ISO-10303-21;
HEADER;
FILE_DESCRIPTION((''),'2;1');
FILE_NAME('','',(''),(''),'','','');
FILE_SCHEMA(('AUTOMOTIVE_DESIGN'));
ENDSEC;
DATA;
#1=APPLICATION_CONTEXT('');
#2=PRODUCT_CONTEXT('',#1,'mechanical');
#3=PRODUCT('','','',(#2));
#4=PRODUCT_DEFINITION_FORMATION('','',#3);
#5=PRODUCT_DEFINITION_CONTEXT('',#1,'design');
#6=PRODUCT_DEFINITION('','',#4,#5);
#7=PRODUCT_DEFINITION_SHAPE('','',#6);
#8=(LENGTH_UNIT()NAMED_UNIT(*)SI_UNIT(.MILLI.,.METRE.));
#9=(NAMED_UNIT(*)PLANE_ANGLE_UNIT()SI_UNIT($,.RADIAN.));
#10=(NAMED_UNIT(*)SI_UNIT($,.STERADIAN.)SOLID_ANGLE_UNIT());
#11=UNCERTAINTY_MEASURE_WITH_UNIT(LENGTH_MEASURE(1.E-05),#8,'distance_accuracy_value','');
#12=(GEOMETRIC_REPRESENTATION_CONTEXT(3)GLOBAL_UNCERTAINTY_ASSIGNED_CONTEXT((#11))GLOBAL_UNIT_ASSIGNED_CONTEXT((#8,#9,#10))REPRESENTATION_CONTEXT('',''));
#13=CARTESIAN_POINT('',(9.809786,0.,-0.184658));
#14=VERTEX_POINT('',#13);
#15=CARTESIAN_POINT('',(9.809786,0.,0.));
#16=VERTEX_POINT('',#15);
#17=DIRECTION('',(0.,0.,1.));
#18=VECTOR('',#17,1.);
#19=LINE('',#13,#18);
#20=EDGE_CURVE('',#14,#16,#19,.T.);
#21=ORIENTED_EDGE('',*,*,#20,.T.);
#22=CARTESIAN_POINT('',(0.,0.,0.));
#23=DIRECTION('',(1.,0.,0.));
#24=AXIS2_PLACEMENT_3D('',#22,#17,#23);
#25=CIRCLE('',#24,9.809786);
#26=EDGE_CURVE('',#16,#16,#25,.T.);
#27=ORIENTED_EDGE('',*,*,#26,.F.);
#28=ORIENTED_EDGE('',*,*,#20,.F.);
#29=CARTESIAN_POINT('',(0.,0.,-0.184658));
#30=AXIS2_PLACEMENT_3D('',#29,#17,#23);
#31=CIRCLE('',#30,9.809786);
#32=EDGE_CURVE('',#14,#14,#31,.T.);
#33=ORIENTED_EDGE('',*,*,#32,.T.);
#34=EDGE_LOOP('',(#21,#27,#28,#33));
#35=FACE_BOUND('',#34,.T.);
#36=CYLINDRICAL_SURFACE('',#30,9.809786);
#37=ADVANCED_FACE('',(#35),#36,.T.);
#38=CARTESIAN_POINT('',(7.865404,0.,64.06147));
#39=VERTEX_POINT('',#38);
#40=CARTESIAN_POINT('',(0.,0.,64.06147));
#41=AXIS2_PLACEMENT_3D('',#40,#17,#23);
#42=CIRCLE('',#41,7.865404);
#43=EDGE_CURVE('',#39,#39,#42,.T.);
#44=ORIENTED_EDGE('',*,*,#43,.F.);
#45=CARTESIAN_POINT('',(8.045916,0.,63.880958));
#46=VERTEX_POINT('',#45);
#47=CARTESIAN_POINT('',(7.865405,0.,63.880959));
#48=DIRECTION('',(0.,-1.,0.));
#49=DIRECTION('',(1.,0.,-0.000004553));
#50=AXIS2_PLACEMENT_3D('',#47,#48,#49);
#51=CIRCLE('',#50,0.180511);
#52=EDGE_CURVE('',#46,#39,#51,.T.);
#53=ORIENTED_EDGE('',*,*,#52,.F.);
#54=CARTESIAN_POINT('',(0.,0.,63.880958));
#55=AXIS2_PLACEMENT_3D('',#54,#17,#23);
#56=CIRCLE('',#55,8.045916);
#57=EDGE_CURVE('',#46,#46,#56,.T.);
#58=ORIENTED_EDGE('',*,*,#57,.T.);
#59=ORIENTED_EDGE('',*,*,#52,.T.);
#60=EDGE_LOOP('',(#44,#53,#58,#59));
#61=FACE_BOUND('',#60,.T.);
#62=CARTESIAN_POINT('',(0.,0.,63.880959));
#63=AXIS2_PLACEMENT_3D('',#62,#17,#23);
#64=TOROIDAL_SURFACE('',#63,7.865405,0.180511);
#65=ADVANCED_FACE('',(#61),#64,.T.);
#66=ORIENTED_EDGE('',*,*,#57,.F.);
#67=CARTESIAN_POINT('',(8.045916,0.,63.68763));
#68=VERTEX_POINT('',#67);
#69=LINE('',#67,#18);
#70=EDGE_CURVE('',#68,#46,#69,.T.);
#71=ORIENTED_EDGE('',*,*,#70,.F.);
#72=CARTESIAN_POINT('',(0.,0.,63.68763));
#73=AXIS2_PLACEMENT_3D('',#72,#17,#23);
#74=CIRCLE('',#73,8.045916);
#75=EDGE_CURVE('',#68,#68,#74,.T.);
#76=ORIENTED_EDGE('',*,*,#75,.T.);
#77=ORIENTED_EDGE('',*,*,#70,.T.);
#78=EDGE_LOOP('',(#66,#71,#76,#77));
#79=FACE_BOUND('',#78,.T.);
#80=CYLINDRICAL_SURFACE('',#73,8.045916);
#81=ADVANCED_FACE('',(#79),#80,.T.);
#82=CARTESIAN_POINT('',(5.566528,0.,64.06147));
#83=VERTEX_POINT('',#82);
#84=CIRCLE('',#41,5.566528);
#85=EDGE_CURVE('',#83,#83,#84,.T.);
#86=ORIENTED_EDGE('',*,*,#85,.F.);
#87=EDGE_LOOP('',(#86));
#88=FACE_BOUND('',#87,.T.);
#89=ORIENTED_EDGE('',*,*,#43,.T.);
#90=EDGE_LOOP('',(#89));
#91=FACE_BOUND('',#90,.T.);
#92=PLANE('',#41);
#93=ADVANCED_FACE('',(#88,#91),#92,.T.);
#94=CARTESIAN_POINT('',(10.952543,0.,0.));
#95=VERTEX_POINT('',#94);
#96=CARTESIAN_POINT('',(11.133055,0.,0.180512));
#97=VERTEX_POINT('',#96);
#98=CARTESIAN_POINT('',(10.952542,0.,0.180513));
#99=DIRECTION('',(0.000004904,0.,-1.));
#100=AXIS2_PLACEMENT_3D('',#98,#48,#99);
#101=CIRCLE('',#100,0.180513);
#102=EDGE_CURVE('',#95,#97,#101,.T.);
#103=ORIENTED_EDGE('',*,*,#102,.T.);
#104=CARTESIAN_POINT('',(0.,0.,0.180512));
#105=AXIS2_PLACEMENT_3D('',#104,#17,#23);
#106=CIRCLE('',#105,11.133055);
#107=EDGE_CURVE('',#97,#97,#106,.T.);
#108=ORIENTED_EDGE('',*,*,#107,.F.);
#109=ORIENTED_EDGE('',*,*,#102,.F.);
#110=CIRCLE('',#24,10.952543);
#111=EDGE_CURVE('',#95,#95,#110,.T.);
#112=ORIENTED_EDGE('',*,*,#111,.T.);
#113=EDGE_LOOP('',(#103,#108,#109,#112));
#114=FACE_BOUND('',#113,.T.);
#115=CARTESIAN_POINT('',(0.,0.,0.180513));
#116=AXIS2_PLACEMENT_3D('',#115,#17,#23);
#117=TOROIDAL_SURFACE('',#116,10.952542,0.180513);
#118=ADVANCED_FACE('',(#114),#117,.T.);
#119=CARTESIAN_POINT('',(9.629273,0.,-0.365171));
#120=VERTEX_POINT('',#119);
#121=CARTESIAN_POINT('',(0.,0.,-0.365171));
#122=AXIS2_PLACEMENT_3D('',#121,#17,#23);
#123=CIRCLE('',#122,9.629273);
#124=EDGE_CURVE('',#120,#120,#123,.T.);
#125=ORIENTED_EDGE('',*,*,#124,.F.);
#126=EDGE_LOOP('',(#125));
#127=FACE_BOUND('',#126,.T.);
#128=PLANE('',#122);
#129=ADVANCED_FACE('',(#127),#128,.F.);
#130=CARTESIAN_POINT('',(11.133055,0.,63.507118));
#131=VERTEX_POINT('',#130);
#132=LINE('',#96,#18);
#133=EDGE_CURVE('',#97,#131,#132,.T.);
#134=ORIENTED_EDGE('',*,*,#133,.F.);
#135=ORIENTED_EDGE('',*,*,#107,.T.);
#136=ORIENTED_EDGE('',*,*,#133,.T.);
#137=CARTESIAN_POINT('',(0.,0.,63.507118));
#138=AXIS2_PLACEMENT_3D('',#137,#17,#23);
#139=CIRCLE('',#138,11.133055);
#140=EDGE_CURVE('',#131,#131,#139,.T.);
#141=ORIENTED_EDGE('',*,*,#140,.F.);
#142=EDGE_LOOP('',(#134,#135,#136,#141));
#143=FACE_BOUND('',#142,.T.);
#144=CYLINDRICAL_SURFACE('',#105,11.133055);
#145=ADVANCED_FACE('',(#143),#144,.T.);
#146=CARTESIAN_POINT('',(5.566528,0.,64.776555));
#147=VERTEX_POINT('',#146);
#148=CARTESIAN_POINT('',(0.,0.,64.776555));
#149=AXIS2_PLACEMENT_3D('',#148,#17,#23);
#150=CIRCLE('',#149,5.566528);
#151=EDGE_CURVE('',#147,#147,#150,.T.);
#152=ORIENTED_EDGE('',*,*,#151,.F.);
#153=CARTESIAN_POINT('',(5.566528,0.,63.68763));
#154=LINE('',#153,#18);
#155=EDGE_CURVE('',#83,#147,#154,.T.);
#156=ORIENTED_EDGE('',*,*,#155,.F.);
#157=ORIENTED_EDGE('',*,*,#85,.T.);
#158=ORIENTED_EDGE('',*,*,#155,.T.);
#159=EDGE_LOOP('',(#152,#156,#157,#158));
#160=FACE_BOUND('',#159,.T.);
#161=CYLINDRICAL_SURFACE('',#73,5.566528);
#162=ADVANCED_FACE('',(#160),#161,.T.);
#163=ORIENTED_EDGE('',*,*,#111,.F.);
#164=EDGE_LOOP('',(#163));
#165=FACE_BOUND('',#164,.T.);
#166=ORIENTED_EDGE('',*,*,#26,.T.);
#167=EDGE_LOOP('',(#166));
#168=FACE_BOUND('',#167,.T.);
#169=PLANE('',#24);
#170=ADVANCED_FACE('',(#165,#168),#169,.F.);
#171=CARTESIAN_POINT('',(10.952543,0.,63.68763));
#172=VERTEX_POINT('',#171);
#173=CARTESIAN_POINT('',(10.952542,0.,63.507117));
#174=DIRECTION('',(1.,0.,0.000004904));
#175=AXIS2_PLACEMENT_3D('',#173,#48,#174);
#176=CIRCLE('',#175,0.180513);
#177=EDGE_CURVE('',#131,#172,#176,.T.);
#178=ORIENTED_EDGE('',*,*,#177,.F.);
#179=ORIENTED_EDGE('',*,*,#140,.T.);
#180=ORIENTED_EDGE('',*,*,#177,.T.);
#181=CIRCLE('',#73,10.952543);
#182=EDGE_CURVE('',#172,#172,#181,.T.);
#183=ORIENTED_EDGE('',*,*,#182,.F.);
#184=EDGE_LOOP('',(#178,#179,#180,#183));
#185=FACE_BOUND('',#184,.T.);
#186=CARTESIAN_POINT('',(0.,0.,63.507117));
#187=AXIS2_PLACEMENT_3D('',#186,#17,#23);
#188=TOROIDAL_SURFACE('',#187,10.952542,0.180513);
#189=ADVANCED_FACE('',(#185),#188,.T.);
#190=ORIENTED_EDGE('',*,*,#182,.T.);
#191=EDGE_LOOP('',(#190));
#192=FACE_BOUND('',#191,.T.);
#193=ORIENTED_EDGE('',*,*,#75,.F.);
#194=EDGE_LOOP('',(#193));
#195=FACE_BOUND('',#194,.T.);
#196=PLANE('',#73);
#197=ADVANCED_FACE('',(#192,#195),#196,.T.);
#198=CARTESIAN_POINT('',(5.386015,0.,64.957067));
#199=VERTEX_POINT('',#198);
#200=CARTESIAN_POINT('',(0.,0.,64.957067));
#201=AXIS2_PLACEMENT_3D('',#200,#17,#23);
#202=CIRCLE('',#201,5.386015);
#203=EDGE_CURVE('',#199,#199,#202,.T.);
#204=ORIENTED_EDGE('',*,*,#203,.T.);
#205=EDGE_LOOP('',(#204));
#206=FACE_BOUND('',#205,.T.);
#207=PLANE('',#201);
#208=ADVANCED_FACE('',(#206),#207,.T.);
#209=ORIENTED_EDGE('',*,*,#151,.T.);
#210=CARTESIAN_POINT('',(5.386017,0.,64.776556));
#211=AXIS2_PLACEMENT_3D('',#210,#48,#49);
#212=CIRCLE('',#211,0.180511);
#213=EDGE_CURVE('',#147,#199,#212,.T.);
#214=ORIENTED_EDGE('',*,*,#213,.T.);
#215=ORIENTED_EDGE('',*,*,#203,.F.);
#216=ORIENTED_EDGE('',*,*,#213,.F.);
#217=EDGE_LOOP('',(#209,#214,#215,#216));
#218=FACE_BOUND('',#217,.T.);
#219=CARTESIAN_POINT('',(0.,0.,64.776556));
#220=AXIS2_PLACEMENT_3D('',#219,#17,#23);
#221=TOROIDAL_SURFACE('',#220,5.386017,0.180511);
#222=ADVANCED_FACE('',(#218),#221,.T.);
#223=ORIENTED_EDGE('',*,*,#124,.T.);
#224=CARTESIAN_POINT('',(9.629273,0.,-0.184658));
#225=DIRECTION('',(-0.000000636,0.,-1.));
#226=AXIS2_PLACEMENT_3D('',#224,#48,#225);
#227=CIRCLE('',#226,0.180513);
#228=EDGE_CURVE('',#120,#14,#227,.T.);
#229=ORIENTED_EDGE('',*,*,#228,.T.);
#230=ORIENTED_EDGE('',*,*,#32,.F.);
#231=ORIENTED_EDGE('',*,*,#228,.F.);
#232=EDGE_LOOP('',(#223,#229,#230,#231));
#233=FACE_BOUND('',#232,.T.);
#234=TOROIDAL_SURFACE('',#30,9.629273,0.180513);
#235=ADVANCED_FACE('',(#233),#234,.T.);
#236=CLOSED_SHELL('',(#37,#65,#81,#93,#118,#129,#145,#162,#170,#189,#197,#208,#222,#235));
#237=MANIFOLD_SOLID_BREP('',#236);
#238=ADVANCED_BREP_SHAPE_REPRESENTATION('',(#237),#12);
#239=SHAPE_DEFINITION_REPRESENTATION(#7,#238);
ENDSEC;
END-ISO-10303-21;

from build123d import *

# Parameters (mm, degrees)
F0_W = 5.566528
F0_H = 0.37384


with BuildPart() as f1:
    # F0 (on Front) → F1 (revolve)
    with BuildSketch(Plane.XZ):
        with BuildLine():
            Line((0, 64.957067), (0, 64.06147))
            Line((0, 64.06147), (5.566528, 64.06147))
            Line((5.566528, 64.06147), (5.566528, 64.776555))
            ThreePointArc((5.566528, 64.776555), (5.513657, 64.904197), (5.386015, 64.957067))
            Line((5.386015, 64.957067), (0, 64.957067))
        make_face()
        with Locations((2.783264, 63.87455)):
            Rectangle(F0_W, F0_H)
        with BuildLine():
            Line((5.566528, 64.06147), (5.566528, 63.68763))
            Line((5.566528, 63.68763), (8.045916, 63.68763))
            Line((8.045916, 63.68763), (8.045916, 63.880958))
            ThreePointArc((8.045916, 63.880958), (7.993046, 64.008599), (7.865404, 64.06147))
            Line((7.865404, 64.06147), (5.566528, 64.06147))
        make_face()
        with BuildLine():
            Line((0, 63.68763), (0, 0))
            Line((0, 0), (9.809786, 0))
            Line((9.809786, 0), (10.952543, 0))
            ThreePointArc((10.952543, 0), (11.080184, 0.052871), (11.133055, 0.180512))
            Line((11.133055, 0.180512), (11.133055, 63.507118))
            ThreePointArc((11.133055, 63.507118), (11.080184, 63.634759), (10.952543, 63.68763))
            Line((10.952543, 63.68763), (8.045916, 63.68763))
            Line((8.045916, 63.68763), (5.566528, 63.68763))
            Line((5.566528, 63.68763), (0, 63.68763))
        make_face()
        with BuildLine():
            Line((9.809786, 0), (0, 0))
            Line((0, 0), (0, -0.365171))
            Line((0, -0.365171), (9.629273, -0.365171))
            ThreePointArc((9.629273, -0.365171), (9.756915, -0.3123), (9.809786, -0.184658))
            Line((9.809786, -0.184658), (9.809786, 0))
        make_face()
    revolve(axis=Axis((0, 0, 31.843815), (0, 0, 1)))


solid = f1.part
